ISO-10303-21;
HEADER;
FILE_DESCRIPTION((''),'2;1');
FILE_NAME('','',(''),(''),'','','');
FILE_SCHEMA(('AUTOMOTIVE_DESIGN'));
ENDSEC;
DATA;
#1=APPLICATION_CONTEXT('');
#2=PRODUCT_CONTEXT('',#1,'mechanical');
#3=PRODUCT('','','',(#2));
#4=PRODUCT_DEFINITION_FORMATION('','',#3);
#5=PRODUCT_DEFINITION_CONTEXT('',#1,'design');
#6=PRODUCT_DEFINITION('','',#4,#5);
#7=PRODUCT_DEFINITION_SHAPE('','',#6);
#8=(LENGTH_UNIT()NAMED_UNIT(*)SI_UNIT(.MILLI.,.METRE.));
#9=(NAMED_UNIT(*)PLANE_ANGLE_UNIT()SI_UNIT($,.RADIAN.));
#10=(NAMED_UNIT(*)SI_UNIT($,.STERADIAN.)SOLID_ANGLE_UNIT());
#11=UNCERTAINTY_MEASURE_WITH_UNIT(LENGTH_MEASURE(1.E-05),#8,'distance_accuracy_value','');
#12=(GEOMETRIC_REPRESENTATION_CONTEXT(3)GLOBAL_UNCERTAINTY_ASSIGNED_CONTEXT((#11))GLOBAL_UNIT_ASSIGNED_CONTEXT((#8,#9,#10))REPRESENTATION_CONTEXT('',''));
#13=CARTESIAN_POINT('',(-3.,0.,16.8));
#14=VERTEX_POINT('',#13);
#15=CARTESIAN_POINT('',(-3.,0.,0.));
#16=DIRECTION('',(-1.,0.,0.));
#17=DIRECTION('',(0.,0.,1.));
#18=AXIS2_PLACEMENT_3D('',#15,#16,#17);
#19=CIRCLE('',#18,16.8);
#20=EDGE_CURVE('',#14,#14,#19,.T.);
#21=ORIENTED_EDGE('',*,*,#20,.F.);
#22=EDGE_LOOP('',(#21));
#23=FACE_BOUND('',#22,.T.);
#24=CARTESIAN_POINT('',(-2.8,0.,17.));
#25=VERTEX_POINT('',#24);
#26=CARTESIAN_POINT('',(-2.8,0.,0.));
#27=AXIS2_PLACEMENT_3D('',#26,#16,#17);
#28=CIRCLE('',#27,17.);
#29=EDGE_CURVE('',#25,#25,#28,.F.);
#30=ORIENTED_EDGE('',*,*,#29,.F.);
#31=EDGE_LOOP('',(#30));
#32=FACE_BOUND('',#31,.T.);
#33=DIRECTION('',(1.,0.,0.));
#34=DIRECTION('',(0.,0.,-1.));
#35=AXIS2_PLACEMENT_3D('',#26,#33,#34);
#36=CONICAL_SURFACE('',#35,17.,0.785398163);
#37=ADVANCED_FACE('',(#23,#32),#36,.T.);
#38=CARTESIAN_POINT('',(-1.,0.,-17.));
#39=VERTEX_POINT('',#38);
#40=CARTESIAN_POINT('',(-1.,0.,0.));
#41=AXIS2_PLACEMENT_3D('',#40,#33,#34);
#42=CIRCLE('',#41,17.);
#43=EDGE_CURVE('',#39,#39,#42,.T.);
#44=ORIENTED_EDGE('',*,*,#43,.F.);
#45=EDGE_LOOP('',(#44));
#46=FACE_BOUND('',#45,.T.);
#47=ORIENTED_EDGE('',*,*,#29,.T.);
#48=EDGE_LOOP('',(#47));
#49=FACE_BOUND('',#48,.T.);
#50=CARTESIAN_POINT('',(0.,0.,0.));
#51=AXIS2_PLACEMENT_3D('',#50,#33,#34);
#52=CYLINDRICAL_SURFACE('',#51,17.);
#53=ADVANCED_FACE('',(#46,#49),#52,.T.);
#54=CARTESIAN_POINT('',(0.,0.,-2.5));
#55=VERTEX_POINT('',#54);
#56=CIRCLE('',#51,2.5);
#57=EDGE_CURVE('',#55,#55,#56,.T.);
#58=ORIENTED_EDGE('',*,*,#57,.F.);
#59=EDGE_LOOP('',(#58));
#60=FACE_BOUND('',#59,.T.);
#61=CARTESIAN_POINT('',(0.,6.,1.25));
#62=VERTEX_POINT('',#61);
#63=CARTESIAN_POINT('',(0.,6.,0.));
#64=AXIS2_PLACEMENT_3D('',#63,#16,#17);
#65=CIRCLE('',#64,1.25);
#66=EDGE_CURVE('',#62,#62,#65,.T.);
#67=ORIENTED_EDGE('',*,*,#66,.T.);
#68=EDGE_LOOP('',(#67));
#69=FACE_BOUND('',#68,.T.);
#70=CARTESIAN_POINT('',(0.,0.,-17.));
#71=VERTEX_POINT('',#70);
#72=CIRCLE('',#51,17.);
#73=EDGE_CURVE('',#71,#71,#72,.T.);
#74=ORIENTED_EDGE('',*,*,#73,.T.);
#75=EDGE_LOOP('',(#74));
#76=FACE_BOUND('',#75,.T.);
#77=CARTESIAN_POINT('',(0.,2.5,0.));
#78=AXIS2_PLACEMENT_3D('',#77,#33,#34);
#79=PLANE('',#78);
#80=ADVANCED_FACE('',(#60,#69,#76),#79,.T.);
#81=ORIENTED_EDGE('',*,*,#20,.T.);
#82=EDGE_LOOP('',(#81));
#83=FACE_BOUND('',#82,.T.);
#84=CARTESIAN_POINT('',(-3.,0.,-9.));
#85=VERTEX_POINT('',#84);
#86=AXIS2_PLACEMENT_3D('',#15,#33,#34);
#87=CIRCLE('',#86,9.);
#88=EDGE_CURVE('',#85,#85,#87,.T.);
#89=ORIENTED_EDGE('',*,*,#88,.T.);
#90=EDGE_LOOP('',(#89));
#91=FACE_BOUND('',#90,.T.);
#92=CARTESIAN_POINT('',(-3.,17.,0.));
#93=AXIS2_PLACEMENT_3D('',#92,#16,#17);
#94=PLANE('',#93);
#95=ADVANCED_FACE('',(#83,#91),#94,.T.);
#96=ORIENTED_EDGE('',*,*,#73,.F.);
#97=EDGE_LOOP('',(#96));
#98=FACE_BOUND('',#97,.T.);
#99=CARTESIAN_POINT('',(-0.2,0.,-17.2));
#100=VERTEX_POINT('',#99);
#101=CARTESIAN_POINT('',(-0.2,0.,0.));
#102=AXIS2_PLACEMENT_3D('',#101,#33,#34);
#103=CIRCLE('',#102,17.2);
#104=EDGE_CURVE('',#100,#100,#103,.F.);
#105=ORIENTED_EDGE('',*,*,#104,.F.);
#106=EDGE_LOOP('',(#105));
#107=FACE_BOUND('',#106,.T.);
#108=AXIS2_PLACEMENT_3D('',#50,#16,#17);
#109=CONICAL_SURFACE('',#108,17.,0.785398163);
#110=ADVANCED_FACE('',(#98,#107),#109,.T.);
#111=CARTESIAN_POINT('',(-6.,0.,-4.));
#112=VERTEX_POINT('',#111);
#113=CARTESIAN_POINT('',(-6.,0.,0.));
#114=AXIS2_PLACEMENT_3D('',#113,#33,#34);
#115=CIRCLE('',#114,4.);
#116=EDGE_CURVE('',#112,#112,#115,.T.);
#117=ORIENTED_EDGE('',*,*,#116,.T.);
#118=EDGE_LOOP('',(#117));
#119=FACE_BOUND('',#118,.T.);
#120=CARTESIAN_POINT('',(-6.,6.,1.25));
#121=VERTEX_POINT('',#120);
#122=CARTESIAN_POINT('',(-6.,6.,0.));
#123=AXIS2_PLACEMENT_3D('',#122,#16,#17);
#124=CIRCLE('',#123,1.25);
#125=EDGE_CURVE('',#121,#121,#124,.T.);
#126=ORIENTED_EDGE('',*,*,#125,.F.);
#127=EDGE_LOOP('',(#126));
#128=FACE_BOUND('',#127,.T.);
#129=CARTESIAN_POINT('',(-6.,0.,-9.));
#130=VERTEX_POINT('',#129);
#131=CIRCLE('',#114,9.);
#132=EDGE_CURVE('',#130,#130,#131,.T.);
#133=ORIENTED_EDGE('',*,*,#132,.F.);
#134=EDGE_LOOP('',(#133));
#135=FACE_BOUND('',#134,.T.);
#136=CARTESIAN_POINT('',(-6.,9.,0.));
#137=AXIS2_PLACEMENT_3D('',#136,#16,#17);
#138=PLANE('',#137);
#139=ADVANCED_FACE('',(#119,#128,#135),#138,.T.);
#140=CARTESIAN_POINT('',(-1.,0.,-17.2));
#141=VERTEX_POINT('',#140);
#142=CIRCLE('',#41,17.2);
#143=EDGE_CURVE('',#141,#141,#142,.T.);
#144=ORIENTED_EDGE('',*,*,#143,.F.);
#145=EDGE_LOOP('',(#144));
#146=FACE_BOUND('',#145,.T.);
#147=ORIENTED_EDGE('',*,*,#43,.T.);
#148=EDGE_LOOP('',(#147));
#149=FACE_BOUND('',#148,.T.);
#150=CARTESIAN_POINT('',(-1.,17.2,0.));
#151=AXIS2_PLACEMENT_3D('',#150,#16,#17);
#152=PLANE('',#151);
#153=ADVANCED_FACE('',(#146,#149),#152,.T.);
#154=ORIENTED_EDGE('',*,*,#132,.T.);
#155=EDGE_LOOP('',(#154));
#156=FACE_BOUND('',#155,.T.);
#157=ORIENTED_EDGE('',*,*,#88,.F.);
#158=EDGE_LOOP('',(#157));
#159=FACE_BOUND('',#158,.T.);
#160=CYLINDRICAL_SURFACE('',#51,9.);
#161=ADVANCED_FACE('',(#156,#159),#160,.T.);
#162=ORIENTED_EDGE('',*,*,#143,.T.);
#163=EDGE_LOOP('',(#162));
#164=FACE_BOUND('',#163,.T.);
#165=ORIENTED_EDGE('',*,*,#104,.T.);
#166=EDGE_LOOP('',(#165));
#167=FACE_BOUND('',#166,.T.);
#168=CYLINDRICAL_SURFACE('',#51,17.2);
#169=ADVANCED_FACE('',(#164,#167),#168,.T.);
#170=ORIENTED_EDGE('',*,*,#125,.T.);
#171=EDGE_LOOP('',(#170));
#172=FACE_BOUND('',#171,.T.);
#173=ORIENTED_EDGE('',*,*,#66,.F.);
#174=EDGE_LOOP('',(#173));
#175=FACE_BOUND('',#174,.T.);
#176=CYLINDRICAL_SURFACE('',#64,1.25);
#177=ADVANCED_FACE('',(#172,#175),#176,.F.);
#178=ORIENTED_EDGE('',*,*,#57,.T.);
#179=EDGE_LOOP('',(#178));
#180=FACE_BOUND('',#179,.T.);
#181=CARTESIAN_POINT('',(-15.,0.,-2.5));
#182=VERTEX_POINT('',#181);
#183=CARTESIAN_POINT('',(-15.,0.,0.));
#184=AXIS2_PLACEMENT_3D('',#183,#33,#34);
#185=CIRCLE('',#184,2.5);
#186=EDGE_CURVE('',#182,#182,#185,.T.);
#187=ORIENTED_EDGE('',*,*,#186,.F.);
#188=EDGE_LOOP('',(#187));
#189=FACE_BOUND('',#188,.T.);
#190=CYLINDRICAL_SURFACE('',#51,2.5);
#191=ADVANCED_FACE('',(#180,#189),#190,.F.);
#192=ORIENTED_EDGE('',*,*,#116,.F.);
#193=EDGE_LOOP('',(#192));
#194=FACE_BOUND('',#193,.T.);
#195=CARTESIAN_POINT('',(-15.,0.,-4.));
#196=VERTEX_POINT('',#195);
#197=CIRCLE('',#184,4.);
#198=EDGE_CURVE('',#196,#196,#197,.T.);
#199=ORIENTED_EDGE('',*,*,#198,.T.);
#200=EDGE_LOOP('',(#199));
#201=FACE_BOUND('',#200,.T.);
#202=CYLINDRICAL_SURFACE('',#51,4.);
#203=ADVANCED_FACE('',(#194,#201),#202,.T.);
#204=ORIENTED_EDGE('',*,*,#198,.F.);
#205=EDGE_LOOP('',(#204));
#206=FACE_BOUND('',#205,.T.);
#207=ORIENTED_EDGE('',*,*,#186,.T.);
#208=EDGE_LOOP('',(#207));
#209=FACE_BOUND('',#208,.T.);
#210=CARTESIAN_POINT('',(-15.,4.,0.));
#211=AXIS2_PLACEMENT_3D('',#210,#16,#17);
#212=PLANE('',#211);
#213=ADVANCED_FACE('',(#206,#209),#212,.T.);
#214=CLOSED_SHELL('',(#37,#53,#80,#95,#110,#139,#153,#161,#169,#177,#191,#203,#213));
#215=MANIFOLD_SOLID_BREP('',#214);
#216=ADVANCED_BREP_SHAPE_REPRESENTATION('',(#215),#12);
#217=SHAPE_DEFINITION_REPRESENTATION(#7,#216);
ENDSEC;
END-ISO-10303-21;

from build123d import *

# Parameters (mm, degrees)
SKETCH2_R          = 1.25
CUT_EXTRUDE1_DEPTH = 26.936075262
CHAMFER1_SIZE      = 0.2


with BuildPart() as part:
    # Sketch1 → Revolve1 (revolve)
    with BuildSketch(Plane.XY, mode=Mode.PRIVATE) as revolve1_sk:
        Polygon((0, 2.5), (0, 17.2), (-1, 17.2), (-1, 17), (-3, 17), (-3, 9), (-6, 9), (-6, 4), (-15, 4), (-15, 2.5), align=None)
    revolve(revolve1_sk.sketch.rotate(Axis((0, 0, 0), (-1, 0, 0)), 90), axis=Axis((0, 0, 0), (-1, 0, 0)))

    # Sketch2 → Cut-Extrude1 (cut, through all)
    with BuildSketch(Plane.ZY.offset(6)):
        with Locations((0, 6)):
            Circle(SKETCH2_R)
    extrude(amount=-CUT_EXTRUDE1_DEPTH, mode=Mode.SUBTRACT)

    # Chamfer1
    chamfer1_edges = [part.edges().sort_by_distance(p)[0] for p in [
        (-3, 0, 17),
        (0, 0, 17.2),
    ]]
    chamfer(chamfer1_edges, length=CHAMFER1_SIZE)


solid = part.part
